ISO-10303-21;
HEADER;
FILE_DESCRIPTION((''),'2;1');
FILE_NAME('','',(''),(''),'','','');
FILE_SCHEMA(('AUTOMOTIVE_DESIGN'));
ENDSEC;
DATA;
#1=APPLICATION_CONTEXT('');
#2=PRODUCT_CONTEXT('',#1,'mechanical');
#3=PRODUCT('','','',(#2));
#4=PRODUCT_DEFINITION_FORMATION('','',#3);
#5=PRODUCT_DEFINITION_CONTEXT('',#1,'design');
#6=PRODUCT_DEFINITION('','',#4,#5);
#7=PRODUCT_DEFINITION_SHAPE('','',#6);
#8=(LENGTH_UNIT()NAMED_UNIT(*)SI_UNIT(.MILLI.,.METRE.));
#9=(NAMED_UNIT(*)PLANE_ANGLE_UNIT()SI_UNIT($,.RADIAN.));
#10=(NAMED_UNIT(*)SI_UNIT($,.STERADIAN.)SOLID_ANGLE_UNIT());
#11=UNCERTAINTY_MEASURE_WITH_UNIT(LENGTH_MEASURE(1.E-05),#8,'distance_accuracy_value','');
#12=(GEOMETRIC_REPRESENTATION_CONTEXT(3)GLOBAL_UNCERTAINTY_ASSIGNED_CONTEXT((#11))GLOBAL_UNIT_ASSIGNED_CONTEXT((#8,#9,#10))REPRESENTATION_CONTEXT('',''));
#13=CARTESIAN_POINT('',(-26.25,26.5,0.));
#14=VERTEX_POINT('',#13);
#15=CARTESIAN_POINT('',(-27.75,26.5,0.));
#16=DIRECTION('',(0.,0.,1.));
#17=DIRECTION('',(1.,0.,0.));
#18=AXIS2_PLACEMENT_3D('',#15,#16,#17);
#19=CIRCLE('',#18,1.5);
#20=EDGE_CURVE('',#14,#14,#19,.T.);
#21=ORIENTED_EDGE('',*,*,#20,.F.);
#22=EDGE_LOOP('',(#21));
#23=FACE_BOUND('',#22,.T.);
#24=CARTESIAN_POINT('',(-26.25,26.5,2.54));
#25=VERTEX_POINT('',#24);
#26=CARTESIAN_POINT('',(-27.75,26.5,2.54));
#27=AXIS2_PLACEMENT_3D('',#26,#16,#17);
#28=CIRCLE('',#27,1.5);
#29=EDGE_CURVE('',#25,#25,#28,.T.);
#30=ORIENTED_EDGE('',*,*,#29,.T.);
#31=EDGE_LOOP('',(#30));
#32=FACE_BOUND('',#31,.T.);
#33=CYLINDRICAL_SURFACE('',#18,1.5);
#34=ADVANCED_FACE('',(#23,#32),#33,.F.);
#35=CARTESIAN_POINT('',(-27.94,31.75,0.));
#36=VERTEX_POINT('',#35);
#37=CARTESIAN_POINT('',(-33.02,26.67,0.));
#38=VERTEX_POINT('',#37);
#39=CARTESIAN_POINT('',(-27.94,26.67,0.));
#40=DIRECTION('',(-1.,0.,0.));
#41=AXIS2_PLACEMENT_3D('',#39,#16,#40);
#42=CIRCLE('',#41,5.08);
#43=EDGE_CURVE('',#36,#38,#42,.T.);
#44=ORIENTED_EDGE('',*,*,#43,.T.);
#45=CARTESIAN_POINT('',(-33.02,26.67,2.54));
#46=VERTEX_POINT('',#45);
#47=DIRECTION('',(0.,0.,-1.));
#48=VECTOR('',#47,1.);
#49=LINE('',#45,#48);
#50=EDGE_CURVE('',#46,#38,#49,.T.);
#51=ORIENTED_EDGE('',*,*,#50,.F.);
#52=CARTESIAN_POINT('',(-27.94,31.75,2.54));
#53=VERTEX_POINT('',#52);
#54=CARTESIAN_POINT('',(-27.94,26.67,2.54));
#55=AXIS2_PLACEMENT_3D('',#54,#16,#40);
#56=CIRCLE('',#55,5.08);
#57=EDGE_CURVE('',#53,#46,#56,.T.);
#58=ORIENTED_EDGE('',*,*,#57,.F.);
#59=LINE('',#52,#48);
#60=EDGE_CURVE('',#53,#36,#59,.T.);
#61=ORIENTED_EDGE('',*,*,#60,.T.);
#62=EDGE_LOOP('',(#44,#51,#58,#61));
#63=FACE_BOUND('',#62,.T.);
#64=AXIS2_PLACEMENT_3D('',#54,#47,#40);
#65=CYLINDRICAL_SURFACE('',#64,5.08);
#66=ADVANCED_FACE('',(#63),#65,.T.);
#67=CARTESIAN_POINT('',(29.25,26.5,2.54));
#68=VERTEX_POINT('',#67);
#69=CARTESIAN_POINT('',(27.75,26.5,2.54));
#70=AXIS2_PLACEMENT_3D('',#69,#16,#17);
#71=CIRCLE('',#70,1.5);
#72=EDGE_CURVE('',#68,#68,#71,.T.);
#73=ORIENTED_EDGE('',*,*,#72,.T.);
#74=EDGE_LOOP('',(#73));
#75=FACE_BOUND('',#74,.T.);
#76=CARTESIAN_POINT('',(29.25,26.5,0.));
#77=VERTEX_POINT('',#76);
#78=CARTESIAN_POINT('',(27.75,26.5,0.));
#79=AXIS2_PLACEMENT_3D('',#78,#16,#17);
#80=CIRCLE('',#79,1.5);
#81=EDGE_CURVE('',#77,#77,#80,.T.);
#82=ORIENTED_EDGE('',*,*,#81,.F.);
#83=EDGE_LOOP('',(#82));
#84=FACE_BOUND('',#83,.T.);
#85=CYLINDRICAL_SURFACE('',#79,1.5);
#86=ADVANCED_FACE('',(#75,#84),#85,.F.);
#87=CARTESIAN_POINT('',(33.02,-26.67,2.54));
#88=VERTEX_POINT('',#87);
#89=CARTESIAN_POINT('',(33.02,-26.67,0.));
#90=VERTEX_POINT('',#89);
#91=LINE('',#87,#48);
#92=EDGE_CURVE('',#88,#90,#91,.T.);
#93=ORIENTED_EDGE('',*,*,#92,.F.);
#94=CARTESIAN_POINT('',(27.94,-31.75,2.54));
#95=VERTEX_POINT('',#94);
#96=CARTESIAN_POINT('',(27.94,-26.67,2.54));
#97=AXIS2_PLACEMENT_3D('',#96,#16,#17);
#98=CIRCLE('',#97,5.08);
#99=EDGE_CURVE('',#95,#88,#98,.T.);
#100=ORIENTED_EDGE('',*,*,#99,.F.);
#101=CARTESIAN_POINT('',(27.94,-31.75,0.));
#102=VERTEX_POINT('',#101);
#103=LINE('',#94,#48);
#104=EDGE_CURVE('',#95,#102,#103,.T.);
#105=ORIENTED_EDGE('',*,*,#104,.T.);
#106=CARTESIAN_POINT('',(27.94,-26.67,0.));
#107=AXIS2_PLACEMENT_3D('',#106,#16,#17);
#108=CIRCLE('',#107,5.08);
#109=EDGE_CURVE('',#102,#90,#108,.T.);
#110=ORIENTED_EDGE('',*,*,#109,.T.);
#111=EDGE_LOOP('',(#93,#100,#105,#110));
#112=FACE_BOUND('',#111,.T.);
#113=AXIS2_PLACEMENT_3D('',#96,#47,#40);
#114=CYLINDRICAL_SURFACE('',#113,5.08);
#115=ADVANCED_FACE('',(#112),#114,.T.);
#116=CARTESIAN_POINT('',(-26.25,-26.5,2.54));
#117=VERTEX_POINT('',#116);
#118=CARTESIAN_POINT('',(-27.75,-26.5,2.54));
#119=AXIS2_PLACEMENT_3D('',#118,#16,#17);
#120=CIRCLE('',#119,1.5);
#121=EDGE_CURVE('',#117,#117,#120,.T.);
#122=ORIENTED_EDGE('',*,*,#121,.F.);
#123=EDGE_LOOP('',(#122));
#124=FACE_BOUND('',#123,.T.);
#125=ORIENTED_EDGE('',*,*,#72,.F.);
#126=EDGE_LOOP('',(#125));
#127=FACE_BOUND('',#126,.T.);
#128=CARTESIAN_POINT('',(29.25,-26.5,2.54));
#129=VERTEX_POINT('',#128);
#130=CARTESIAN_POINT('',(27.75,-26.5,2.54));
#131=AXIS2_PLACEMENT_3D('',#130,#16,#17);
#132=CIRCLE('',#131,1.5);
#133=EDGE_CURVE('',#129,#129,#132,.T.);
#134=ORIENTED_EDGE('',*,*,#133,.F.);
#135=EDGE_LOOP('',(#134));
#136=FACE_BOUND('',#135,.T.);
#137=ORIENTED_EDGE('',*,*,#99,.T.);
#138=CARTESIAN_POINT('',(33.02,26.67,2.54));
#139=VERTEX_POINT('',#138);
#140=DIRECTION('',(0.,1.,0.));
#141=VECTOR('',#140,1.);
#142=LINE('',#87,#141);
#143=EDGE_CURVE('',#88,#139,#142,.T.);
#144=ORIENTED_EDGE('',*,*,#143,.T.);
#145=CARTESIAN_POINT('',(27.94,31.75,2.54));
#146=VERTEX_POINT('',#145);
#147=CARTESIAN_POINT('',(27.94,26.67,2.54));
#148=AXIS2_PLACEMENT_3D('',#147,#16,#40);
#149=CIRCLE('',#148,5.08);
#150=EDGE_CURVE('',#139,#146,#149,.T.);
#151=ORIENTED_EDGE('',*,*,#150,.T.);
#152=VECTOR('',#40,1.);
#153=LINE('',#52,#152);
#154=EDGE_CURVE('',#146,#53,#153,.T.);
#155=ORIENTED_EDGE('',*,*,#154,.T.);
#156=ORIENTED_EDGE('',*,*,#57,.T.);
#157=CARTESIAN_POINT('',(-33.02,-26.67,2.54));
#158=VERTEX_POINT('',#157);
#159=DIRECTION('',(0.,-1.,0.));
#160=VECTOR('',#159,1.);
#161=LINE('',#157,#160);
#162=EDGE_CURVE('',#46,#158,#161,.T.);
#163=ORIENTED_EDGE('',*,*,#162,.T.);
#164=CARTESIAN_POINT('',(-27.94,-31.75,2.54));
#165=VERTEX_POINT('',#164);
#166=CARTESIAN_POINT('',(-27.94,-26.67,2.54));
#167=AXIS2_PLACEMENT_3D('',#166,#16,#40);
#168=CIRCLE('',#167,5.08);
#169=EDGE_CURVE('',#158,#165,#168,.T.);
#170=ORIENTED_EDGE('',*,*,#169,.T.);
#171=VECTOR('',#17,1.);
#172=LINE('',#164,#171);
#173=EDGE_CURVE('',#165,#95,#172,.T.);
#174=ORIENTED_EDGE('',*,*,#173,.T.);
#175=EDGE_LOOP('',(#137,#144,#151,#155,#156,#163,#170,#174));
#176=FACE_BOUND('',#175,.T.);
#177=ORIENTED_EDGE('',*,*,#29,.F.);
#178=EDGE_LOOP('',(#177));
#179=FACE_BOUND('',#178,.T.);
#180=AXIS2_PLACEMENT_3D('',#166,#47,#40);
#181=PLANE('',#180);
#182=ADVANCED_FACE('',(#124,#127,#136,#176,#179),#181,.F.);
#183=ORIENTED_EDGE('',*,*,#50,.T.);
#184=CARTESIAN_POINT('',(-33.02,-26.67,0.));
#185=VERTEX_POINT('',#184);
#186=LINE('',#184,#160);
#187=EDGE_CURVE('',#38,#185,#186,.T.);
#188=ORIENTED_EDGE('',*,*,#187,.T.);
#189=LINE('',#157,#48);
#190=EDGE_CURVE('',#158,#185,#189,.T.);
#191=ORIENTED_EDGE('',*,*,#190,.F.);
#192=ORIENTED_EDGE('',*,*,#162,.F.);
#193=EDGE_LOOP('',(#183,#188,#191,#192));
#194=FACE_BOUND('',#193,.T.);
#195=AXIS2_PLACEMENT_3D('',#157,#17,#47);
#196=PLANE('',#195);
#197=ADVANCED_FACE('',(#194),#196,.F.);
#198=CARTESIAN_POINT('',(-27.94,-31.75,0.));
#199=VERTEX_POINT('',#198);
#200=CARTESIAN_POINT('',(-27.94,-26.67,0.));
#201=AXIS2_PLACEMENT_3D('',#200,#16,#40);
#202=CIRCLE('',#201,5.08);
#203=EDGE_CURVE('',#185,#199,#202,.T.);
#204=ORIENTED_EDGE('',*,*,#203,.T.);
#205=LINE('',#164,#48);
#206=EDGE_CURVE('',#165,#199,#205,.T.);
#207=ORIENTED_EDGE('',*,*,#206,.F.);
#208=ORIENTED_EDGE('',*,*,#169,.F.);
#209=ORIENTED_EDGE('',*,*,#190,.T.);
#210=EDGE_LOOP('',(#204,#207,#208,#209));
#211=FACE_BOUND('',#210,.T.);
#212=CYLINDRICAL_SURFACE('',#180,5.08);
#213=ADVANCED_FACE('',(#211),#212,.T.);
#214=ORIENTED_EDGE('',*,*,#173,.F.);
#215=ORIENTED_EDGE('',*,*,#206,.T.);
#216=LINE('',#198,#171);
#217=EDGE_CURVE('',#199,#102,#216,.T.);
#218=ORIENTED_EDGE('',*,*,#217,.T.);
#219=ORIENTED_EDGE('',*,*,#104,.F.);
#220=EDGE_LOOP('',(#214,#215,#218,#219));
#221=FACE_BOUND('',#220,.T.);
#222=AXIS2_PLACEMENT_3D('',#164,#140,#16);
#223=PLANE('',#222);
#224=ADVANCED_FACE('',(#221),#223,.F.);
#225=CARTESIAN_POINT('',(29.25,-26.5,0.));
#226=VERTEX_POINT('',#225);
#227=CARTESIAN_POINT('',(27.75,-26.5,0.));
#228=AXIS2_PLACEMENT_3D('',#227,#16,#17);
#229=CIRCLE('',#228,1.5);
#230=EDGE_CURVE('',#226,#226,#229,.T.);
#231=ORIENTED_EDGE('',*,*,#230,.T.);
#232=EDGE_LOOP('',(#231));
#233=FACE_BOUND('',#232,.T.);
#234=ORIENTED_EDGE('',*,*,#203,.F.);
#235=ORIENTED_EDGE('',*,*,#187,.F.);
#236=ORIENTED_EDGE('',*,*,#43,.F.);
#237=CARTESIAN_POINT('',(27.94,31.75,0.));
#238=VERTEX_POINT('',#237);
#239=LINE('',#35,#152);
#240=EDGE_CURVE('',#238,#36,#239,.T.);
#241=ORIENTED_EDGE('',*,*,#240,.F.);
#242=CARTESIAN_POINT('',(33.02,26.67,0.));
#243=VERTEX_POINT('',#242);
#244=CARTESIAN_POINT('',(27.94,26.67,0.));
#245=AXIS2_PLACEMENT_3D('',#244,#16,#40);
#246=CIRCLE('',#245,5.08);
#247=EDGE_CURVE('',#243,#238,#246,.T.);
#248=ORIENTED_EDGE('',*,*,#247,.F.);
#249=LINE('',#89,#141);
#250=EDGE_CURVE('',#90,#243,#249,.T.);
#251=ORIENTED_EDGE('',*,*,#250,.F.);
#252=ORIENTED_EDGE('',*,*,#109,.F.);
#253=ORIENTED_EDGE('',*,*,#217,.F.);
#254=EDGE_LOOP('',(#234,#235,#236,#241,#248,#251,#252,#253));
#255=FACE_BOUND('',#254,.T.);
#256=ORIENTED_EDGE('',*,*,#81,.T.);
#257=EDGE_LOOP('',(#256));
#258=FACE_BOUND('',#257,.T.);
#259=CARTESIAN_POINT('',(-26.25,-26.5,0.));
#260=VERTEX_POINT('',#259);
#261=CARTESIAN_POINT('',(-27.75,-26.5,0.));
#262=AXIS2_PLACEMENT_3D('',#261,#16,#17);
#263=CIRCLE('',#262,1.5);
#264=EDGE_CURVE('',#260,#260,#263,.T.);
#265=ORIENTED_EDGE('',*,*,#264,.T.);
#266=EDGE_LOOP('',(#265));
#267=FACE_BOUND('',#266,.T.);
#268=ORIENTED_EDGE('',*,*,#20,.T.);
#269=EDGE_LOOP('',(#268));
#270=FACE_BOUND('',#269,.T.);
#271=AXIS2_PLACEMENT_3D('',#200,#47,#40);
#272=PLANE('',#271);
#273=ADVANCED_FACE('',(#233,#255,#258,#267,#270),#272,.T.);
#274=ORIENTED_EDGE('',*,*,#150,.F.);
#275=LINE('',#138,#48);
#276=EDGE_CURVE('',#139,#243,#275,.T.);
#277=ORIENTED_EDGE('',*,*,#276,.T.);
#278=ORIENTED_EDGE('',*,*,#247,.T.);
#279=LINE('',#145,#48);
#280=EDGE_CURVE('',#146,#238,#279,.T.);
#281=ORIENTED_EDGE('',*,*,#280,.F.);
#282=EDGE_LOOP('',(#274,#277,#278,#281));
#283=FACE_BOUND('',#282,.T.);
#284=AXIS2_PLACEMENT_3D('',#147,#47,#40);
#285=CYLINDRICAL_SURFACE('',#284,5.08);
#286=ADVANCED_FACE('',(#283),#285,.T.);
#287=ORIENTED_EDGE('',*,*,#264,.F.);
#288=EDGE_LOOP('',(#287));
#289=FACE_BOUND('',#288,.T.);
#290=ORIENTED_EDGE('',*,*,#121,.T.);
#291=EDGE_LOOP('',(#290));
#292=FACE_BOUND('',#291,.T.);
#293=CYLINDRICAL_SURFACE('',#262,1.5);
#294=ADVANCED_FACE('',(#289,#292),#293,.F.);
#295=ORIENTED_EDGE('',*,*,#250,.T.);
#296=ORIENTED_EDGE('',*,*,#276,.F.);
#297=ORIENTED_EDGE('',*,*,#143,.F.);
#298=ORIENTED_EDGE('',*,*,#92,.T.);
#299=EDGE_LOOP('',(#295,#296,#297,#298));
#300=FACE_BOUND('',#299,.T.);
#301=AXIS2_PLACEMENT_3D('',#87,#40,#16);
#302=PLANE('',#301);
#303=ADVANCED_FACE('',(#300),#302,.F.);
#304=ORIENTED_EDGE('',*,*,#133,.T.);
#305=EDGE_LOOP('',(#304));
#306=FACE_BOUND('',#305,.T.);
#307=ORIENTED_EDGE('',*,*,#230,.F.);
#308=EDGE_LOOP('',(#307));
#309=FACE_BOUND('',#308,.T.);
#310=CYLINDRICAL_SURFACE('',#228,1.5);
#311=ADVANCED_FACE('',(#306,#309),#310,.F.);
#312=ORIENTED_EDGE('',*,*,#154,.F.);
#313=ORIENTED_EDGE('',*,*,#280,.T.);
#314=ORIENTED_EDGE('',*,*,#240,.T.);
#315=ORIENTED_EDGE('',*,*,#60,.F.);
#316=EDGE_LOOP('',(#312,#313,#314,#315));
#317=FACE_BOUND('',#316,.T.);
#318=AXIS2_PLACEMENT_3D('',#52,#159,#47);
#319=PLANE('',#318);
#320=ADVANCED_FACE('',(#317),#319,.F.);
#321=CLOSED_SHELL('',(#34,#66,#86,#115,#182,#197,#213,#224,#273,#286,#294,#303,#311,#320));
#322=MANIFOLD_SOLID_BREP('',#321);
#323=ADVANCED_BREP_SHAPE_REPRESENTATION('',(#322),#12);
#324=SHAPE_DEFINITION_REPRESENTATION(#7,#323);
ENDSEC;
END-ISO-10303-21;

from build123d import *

# Parameters (mm, degrees)
BOSS_EXTRUDE1_DEPTH = 2.54
SKETCH2_R           = 1.5
CUT_EXTRUDE1_DEPTH  = 3.54


with BuildPart() as part:
    # Sketch1 → Boss-Extrude1 (new body)
    with BuildSketch(Plane.XY):
        with BuildLine():
            Line((-27.94, -31.75), (27.94, -31.75))
            ThreePointArc((27.94, -31.75), (31.532102448, -30.262102448), (33.02, -26.67))
            Line((33.02, -26.67), (33.02, 26.67))
            ThreePointArc((33.02, 26.67), (31.532102448, 30.262102448), (27.94, 31.75))
            Line((27.94, 31.75), (-27.94, 31.75))
            ThreePointArc((-27.94, 31.75), (-31.532102448, 30.262102448), (-33.02, 26.67))
            Line((-33.02, 26.67), (-33.02, -26.67))
            ThreePointArc((-33.02, -26.67), (-31.532102448, -30.262102448), (-27.94, -31.75))
        make_face()
    extrude(amount=BOSS_EXTRUDE1_DEPTH)

    # Sketch2 → Cut-Extrude1 (cut, through all)
    with BuildSketch(Plane.XY.offset(2.54)):
        with Locations((-27.75, 26.5)):
            Circle(SKETCH2_R)
        with Locations((27.75, 26.5)):
            Circle(SKETCH2_R)
        with Locations((-27.75, -26.5)):
            Circle(SKETCH2_R)
        with Locations((27.75, -26.5)):
            Circle(SKETCH2_R)
    extrude(amount=-CUT_EXTRUDE1_DEPTH, mode=Mode.SUBTRACT)


solid = part.part
